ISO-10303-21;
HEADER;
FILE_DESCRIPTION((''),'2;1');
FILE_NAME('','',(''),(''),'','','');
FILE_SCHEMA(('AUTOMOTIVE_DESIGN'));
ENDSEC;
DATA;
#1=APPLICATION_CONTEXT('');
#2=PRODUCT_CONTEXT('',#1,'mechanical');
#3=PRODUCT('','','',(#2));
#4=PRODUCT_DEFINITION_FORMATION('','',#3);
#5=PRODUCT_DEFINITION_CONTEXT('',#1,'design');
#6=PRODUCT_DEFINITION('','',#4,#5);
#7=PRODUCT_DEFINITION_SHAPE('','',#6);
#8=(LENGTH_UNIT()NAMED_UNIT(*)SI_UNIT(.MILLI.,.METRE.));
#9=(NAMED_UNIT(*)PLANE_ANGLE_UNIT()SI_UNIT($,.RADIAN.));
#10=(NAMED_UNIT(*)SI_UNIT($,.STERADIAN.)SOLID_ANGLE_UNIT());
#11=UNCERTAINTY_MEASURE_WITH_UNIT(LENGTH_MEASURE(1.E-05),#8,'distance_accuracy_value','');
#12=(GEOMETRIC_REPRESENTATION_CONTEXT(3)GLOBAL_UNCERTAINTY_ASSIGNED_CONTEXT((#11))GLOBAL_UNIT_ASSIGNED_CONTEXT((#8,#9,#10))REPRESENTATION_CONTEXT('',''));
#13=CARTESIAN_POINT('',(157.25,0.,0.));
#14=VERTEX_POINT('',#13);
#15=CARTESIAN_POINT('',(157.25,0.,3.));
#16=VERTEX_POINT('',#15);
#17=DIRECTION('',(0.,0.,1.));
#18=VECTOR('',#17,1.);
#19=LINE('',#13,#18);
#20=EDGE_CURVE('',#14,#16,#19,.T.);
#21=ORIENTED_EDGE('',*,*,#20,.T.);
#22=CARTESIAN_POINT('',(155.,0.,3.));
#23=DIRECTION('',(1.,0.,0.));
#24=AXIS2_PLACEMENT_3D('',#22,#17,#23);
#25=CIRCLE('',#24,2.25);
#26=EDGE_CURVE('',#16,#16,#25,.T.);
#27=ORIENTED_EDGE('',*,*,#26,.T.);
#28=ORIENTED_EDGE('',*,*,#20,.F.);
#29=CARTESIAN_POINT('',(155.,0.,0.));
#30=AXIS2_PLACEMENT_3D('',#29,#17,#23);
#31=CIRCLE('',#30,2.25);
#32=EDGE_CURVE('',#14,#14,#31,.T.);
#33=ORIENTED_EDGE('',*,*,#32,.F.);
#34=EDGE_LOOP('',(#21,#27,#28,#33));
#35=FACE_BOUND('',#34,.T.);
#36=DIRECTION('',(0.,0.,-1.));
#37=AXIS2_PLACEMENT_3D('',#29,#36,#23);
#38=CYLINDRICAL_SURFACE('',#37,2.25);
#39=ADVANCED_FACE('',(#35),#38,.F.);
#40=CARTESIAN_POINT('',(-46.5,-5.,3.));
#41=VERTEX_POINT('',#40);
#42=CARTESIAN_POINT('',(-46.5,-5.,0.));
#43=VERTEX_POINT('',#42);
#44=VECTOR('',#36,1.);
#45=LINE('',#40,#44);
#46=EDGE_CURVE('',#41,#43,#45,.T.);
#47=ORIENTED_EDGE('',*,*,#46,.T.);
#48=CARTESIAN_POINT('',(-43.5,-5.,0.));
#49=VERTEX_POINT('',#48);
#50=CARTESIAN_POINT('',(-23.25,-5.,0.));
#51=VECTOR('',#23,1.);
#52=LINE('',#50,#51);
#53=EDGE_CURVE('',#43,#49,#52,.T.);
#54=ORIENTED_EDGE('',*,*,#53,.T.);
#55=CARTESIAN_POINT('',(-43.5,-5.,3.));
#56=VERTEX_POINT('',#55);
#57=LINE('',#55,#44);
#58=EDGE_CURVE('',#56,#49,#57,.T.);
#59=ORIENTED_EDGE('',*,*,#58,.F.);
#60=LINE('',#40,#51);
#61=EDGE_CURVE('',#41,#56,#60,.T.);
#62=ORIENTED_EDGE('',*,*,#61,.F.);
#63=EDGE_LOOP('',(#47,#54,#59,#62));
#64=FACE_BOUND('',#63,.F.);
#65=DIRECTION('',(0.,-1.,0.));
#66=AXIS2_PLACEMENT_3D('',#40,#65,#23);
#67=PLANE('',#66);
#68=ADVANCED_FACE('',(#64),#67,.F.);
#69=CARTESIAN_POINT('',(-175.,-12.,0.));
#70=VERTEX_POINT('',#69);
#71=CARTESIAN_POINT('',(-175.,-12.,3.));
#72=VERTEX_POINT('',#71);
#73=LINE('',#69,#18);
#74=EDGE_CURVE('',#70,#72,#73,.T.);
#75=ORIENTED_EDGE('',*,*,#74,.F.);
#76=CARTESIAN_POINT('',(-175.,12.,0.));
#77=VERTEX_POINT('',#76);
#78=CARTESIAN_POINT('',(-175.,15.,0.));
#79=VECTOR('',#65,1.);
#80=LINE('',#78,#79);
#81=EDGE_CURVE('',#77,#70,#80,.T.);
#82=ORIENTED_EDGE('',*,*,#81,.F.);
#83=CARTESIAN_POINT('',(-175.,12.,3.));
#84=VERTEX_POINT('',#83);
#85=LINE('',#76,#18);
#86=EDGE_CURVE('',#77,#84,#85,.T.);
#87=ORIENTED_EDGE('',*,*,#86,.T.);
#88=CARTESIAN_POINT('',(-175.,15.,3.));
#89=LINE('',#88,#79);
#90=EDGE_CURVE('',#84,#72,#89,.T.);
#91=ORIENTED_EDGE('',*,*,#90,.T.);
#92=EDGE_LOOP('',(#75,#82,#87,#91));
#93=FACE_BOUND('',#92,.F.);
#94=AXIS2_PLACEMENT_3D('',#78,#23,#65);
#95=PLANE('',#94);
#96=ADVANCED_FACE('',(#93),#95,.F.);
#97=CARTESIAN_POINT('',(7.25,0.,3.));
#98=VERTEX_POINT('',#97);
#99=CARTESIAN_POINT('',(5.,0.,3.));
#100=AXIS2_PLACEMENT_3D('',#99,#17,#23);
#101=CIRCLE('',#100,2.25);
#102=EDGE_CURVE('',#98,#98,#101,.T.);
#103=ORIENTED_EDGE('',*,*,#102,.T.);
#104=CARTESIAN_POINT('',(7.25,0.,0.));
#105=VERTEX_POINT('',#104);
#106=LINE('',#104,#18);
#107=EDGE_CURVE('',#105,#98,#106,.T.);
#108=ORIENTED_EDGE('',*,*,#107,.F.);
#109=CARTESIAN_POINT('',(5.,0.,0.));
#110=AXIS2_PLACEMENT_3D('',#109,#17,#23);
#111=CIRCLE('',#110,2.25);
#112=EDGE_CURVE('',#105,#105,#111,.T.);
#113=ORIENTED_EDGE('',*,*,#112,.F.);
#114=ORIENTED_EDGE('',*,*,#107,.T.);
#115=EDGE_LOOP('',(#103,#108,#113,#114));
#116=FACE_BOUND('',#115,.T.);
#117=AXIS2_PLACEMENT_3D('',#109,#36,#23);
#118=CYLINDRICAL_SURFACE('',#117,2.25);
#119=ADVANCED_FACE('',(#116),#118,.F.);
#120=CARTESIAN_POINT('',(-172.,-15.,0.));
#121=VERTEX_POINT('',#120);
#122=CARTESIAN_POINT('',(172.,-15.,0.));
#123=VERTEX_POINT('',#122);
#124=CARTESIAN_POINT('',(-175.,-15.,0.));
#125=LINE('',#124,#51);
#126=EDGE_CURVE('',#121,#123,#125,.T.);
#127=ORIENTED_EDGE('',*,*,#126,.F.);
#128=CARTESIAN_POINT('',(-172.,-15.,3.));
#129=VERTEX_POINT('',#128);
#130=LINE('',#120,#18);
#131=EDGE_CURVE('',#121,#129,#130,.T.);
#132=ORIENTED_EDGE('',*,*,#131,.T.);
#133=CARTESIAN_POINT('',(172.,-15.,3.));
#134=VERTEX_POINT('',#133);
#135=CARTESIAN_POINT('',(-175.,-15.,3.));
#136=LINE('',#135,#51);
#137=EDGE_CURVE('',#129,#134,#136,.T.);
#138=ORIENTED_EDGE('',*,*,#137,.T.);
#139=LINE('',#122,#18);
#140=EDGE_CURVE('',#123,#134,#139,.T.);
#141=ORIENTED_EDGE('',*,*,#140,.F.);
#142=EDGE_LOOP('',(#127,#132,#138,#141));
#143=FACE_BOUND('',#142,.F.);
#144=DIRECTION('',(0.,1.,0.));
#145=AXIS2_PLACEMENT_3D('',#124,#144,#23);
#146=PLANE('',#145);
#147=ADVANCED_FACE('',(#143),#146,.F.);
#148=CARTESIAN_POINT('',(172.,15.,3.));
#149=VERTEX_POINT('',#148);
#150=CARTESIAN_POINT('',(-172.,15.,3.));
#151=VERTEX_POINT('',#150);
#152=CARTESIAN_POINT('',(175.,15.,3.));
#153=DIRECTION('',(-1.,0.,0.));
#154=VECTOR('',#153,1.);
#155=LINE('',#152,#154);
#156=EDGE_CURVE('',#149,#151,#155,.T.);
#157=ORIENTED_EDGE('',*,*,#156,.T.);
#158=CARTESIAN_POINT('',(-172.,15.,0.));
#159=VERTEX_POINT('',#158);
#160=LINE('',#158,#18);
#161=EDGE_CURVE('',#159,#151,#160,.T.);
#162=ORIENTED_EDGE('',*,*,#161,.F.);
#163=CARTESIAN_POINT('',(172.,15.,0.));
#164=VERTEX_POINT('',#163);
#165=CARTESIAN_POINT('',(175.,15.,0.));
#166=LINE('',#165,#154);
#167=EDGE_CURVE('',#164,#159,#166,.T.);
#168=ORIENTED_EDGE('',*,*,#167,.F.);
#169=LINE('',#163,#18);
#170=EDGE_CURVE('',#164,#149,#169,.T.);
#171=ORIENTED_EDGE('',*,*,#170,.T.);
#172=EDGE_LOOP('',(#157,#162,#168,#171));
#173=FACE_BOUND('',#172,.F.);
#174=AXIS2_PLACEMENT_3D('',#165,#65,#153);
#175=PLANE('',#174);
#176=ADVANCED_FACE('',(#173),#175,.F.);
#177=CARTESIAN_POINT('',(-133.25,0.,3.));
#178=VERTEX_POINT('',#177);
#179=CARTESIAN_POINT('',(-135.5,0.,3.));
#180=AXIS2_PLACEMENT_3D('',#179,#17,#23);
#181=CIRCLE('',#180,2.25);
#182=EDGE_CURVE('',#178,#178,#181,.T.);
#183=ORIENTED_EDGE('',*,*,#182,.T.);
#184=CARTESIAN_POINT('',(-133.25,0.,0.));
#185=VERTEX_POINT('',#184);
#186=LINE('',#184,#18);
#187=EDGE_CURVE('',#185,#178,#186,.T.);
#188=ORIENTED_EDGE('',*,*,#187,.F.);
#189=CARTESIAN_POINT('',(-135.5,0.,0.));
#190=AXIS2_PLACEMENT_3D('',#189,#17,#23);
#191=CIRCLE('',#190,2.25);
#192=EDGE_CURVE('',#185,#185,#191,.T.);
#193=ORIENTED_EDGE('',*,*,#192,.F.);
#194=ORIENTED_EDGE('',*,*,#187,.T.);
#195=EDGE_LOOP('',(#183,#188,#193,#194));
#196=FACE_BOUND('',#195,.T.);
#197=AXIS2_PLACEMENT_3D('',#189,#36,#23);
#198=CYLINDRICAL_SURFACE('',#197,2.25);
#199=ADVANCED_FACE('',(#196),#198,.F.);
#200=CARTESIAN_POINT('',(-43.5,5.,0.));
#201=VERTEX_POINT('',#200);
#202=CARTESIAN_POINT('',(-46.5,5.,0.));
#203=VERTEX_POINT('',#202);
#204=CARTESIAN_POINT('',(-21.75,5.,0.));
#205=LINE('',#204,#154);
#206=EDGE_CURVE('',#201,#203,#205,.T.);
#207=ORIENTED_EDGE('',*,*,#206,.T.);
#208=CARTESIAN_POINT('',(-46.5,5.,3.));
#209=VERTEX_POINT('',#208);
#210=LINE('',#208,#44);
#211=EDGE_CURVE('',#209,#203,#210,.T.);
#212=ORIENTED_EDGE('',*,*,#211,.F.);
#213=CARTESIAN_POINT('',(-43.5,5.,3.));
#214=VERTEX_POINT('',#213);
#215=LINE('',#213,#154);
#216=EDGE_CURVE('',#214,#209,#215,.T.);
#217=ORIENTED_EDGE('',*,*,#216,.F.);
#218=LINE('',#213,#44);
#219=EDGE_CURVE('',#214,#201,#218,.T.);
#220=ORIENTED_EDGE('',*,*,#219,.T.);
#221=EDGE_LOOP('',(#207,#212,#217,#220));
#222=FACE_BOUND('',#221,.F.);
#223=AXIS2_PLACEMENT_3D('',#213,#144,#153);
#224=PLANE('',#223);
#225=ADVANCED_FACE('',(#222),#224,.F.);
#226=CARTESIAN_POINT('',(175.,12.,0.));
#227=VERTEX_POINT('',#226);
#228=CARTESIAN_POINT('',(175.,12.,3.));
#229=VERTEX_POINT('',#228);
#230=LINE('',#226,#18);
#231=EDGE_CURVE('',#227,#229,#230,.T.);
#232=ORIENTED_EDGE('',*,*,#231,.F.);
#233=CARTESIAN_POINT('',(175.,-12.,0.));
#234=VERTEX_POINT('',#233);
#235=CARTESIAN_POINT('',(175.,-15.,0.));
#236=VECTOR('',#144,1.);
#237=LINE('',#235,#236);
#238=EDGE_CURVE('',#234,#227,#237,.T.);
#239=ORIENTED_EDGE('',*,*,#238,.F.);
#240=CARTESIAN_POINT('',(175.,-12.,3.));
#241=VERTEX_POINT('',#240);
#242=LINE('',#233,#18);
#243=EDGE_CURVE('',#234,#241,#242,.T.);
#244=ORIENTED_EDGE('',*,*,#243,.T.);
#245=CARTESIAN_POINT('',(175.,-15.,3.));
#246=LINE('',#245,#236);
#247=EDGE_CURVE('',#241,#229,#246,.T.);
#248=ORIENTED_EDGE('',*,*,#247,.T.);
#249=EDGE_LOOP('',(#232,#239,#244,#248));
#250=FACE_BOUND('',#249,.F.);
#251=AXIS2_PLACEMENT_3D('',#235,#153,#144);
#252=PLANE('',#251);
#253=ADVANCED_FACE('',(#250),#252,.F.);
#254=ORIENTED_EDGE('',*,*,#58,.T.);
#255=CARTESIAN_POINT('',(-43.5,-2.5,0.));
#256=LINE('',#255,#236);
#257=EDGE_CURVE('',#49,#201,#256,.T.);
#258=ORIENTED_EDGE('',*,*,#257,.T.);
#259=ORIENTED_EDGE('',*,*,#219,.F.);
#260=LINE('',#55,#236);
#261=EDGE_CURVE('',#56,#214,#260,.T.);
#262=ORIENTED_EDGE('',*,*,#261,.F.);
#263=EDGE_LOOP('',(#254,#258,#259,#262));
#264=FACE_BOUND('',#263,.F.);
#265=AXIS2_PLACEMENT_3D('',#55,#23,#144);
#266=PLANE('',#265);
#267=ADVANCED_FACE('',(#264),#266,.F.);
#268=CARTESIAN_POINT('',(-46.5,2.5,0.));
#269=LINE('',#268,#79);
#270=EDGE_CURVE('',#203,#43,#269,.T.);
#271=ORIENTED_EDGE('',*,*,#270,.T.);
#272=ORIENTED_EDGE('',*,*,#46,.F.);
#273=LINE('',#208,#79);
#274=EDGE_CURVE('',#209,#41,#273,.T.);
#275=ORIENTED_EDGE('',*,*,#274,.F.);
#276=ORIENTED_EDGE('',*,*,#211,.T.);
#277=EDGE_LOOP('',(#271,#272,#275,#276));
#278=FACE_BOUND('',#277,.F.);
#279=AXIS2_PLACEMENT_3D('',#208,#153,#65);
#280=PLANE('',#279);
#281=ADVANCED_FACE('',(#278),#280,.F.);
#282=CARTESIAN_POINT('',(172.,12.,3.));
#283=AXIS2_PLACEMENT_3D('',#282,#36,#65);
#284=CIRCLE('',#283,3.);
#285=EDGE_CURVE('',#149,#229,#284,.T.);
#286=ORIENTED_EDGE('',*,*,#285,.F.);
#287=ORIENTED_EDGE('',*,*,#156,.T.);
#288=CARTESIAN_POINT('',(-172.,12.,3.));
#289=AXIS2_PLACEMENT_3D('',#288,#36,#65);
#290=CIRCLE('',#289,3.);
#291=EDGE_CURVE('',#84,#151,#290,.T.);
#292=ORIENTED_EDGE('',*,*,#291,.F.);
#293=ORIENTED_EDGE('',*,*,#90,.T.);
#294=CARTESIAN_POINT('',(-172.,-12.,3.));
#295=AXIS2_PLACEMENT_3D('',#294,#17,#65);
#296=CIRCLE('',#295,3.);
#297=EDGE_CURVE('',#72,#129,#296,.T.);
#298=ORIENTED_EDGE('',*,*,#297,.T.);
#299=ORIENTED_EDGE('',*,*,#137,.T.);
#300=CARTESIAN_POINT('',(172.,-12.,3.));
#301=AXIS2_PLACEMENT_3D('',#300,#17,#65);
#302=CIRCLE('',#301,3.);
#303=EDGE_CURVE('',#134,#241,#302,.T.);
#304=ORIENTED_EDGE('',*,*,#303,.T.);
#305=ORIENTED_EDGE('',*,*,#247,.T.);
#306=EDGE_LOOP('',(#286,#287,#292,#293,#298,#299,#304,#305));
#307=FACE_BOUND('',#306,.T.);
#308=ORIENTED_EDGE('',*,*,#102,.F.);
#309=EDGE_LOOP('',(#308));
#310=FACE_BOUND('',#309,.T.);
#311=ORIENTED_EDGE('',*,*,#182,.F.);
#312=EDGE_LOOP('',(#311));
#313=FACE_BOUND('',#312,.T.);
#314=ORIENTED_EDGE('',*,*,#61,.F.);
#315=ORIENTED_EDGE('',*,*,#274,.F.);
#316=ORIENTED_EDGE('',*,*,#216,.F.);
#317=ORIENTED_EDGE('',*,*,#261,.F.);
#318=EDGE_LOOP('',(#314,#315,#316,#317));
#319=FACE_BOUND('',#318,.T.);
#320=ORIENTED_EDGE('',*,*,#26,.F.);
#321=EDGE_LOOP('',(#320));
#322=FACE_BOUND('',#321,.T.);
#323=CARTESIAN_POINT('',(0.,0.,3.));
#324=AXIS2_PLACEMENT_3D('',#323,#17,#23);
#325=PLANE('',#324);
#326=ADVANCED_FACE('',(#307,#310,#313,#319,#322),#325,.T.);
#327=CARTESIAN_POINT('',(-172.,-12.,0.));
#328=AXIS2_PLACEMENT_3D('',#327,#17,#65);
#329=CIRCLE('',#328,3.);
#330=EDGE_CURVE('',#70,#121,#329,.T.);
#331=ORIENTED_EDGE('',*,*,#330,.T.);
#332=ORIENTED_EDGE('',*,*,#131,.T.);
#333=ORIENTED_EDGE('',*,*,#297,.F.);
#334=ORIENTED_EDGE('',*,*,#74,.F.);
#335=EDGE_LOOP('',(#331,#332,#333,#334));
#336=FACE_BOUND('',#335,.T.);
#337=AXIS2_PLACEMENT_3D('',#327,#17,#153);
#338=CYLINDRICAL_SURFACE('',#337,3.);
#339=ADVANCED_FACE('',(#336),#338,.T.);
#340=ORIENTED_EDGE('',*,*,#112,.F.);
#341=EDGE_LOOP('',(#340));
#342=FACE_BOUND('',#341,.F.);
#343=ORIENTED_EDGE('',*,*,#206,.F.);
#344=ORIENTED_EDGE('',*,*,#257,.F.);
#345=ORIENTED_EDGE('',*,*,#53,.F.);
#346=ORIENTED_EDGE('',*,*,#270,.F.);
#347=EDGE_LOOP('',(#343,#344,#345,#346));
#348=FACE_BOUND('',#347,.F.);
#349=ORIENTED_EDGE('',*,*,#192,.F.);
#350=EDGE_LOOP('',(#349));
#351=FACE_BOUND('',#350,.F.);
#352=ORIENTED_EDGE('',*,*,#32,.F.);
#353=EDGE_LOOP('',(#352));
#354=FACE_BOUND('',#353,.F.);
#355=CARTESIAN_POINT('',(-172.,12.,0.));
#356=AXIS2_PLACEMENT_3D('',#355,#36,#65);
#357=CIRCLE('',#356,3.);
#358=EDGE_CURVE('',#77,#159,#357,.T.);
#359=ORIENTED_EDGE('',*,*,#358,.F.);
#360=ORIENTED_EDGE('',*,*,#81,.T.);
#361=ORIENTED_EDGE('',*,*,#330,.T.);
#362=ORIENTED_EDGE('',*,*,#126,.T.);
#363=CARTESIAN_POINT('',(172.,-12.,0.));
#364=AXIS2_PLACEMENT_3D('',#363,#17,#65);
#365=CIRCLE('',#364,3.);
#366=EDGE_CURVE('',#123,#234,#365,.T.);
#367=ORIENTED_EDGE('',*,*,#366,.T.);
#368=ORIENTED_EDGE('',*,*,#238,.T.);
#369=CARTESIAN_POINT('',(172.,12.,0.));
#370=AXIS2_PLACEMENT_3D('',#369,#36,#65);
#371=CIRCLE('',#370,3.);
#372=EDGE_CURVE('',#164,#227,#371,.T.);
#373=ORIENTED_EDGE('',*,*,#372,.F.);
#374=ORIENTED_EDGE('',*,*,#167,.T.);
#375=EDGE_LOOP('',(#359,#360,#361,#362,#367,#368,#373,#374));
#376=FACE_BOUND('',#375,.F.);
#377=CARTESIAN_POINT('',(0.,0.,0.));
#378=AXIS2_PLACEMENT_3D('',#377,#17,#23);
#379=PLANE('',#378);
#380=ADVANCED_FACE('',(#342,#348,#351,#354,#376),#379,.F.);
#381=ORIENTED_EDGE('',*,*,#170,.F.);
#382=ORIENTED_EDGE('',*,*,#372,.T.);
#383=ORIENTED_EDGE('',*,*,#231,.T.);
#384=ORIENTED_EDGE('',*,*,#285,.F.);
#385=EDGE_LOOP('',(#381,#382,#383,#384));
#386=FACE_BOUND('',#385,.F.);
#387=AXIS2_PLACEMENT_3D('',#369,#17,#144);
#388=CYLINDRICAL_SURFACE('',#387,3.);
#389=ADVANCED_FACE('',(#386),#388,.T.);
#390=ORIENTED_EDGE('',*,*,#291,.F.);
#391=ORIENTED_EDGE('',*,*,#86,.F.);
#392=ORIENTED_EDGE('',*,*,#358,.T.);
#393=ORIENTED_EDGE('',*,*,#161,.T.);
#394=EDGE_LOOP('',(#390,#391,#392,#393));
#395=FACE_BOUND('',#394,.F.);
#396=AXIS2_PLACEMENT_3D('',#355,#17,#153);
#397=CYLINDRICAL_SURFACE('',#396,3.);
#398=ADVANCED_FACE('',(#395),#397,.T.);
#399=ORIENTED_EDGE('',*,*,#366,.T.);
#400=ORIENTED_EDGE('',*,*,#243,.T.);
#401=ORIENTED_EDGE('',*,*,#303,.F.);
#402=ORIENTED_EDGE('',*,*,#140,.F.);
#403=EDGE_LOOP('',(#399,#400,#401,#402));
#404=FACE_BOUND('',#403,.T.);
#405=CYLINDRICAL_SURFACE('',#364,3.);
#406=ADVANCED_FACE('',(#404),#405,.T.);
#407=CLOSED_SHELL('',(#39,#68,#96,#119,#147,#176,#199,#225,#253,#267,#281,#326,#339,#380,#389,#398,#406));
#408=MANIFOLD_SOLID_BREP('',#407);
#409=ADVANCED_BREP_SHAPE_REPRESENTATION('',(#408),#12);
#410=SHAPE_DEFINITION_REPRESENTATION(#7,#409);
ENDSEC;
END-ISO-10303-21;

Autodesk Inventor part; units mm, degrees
ref_plane "YZ Plane" through (0, 0, 0) normal (1, 0, 0) x (0, 1, 0)
ref_plane "XZ Plane" through (0, 0, 0) normal (0, 1, 0) x (-1, 0, 0)
ref_plane "XY Plane" through (0, 0, 0) normal (0, 0, 1) x (1, 0, 0)
sketch "Sketch1" plane through (0, 0, 0) normal (0, 0, 1) x (1, 0, 0)
  line L0 (-175, -15) -> (175, -15)
  line L1 (175, -15) -> (175, 15)
  line L2 (175, 15) -> (-175, 15)
  line L3 (-175, 15) -> (-175, -15)
  line L4 (-175, -15) -> (175, 15) construction
  line L5 (175, -15) -> (-175, 15) construction
  line L6 (-175, 0) -> (175, 0) construction
  circle A0 centre (155, 0) radius 2.25
  circle A1 centre (5, 0) radius 2.25
  circle A2 centre (-135.5, 0) radius 2.25
  point P0 (0, 0)
  dimension "d0" = 350
  dimension "d1" = 30
  dimension "d5" = 20
  dimension "d6" = 150
  dimension "d7" = 310.5
  dimension "d10" = 4.5
  dimension "d11" = 4.5
  dimension "d12" = 4.5
extrude "Extrusion1" add sketch "Sketch1" along normal blind 3
sketch "Sketch2" plane through (0, 0, 3) normal (0, 0, 1) x (1, 0, 0)
  line L0 (-46.5, -5) -> (-43.5, -5)
  line L1 (-43.5, -5) -> (-43.5, 5)
  line L2 (-43.5, 5) -> (-46.5, 5)
  line L3 (-46.5, 5) -> (-46.5, -5)
  line L4 (-46.5, -5) -> (-43.5, 5) construction
  line L5 (-43.5, -5) -> (-46.5, 5) construction
  line L6 (175, -15) -> (175, 15) projected
  point P0 (0, 0)
  point P1 (-45, 0)
  point P2 (-45, 0)
  dimension "d13" = 3
  dimension "d14" = 10
  dimension "d15" = 220
extrude "Extrusion2" cut sketch "Sketch2" against normal through all
fillet "Fillet1" radius 3 4 edges at (-175, 15, 1.5) (-175, -15, 1.5) (175, -15, 1.5) (175, 15, 1.5)
equation "\"d16\" = d15"
properties part number "extension2"
